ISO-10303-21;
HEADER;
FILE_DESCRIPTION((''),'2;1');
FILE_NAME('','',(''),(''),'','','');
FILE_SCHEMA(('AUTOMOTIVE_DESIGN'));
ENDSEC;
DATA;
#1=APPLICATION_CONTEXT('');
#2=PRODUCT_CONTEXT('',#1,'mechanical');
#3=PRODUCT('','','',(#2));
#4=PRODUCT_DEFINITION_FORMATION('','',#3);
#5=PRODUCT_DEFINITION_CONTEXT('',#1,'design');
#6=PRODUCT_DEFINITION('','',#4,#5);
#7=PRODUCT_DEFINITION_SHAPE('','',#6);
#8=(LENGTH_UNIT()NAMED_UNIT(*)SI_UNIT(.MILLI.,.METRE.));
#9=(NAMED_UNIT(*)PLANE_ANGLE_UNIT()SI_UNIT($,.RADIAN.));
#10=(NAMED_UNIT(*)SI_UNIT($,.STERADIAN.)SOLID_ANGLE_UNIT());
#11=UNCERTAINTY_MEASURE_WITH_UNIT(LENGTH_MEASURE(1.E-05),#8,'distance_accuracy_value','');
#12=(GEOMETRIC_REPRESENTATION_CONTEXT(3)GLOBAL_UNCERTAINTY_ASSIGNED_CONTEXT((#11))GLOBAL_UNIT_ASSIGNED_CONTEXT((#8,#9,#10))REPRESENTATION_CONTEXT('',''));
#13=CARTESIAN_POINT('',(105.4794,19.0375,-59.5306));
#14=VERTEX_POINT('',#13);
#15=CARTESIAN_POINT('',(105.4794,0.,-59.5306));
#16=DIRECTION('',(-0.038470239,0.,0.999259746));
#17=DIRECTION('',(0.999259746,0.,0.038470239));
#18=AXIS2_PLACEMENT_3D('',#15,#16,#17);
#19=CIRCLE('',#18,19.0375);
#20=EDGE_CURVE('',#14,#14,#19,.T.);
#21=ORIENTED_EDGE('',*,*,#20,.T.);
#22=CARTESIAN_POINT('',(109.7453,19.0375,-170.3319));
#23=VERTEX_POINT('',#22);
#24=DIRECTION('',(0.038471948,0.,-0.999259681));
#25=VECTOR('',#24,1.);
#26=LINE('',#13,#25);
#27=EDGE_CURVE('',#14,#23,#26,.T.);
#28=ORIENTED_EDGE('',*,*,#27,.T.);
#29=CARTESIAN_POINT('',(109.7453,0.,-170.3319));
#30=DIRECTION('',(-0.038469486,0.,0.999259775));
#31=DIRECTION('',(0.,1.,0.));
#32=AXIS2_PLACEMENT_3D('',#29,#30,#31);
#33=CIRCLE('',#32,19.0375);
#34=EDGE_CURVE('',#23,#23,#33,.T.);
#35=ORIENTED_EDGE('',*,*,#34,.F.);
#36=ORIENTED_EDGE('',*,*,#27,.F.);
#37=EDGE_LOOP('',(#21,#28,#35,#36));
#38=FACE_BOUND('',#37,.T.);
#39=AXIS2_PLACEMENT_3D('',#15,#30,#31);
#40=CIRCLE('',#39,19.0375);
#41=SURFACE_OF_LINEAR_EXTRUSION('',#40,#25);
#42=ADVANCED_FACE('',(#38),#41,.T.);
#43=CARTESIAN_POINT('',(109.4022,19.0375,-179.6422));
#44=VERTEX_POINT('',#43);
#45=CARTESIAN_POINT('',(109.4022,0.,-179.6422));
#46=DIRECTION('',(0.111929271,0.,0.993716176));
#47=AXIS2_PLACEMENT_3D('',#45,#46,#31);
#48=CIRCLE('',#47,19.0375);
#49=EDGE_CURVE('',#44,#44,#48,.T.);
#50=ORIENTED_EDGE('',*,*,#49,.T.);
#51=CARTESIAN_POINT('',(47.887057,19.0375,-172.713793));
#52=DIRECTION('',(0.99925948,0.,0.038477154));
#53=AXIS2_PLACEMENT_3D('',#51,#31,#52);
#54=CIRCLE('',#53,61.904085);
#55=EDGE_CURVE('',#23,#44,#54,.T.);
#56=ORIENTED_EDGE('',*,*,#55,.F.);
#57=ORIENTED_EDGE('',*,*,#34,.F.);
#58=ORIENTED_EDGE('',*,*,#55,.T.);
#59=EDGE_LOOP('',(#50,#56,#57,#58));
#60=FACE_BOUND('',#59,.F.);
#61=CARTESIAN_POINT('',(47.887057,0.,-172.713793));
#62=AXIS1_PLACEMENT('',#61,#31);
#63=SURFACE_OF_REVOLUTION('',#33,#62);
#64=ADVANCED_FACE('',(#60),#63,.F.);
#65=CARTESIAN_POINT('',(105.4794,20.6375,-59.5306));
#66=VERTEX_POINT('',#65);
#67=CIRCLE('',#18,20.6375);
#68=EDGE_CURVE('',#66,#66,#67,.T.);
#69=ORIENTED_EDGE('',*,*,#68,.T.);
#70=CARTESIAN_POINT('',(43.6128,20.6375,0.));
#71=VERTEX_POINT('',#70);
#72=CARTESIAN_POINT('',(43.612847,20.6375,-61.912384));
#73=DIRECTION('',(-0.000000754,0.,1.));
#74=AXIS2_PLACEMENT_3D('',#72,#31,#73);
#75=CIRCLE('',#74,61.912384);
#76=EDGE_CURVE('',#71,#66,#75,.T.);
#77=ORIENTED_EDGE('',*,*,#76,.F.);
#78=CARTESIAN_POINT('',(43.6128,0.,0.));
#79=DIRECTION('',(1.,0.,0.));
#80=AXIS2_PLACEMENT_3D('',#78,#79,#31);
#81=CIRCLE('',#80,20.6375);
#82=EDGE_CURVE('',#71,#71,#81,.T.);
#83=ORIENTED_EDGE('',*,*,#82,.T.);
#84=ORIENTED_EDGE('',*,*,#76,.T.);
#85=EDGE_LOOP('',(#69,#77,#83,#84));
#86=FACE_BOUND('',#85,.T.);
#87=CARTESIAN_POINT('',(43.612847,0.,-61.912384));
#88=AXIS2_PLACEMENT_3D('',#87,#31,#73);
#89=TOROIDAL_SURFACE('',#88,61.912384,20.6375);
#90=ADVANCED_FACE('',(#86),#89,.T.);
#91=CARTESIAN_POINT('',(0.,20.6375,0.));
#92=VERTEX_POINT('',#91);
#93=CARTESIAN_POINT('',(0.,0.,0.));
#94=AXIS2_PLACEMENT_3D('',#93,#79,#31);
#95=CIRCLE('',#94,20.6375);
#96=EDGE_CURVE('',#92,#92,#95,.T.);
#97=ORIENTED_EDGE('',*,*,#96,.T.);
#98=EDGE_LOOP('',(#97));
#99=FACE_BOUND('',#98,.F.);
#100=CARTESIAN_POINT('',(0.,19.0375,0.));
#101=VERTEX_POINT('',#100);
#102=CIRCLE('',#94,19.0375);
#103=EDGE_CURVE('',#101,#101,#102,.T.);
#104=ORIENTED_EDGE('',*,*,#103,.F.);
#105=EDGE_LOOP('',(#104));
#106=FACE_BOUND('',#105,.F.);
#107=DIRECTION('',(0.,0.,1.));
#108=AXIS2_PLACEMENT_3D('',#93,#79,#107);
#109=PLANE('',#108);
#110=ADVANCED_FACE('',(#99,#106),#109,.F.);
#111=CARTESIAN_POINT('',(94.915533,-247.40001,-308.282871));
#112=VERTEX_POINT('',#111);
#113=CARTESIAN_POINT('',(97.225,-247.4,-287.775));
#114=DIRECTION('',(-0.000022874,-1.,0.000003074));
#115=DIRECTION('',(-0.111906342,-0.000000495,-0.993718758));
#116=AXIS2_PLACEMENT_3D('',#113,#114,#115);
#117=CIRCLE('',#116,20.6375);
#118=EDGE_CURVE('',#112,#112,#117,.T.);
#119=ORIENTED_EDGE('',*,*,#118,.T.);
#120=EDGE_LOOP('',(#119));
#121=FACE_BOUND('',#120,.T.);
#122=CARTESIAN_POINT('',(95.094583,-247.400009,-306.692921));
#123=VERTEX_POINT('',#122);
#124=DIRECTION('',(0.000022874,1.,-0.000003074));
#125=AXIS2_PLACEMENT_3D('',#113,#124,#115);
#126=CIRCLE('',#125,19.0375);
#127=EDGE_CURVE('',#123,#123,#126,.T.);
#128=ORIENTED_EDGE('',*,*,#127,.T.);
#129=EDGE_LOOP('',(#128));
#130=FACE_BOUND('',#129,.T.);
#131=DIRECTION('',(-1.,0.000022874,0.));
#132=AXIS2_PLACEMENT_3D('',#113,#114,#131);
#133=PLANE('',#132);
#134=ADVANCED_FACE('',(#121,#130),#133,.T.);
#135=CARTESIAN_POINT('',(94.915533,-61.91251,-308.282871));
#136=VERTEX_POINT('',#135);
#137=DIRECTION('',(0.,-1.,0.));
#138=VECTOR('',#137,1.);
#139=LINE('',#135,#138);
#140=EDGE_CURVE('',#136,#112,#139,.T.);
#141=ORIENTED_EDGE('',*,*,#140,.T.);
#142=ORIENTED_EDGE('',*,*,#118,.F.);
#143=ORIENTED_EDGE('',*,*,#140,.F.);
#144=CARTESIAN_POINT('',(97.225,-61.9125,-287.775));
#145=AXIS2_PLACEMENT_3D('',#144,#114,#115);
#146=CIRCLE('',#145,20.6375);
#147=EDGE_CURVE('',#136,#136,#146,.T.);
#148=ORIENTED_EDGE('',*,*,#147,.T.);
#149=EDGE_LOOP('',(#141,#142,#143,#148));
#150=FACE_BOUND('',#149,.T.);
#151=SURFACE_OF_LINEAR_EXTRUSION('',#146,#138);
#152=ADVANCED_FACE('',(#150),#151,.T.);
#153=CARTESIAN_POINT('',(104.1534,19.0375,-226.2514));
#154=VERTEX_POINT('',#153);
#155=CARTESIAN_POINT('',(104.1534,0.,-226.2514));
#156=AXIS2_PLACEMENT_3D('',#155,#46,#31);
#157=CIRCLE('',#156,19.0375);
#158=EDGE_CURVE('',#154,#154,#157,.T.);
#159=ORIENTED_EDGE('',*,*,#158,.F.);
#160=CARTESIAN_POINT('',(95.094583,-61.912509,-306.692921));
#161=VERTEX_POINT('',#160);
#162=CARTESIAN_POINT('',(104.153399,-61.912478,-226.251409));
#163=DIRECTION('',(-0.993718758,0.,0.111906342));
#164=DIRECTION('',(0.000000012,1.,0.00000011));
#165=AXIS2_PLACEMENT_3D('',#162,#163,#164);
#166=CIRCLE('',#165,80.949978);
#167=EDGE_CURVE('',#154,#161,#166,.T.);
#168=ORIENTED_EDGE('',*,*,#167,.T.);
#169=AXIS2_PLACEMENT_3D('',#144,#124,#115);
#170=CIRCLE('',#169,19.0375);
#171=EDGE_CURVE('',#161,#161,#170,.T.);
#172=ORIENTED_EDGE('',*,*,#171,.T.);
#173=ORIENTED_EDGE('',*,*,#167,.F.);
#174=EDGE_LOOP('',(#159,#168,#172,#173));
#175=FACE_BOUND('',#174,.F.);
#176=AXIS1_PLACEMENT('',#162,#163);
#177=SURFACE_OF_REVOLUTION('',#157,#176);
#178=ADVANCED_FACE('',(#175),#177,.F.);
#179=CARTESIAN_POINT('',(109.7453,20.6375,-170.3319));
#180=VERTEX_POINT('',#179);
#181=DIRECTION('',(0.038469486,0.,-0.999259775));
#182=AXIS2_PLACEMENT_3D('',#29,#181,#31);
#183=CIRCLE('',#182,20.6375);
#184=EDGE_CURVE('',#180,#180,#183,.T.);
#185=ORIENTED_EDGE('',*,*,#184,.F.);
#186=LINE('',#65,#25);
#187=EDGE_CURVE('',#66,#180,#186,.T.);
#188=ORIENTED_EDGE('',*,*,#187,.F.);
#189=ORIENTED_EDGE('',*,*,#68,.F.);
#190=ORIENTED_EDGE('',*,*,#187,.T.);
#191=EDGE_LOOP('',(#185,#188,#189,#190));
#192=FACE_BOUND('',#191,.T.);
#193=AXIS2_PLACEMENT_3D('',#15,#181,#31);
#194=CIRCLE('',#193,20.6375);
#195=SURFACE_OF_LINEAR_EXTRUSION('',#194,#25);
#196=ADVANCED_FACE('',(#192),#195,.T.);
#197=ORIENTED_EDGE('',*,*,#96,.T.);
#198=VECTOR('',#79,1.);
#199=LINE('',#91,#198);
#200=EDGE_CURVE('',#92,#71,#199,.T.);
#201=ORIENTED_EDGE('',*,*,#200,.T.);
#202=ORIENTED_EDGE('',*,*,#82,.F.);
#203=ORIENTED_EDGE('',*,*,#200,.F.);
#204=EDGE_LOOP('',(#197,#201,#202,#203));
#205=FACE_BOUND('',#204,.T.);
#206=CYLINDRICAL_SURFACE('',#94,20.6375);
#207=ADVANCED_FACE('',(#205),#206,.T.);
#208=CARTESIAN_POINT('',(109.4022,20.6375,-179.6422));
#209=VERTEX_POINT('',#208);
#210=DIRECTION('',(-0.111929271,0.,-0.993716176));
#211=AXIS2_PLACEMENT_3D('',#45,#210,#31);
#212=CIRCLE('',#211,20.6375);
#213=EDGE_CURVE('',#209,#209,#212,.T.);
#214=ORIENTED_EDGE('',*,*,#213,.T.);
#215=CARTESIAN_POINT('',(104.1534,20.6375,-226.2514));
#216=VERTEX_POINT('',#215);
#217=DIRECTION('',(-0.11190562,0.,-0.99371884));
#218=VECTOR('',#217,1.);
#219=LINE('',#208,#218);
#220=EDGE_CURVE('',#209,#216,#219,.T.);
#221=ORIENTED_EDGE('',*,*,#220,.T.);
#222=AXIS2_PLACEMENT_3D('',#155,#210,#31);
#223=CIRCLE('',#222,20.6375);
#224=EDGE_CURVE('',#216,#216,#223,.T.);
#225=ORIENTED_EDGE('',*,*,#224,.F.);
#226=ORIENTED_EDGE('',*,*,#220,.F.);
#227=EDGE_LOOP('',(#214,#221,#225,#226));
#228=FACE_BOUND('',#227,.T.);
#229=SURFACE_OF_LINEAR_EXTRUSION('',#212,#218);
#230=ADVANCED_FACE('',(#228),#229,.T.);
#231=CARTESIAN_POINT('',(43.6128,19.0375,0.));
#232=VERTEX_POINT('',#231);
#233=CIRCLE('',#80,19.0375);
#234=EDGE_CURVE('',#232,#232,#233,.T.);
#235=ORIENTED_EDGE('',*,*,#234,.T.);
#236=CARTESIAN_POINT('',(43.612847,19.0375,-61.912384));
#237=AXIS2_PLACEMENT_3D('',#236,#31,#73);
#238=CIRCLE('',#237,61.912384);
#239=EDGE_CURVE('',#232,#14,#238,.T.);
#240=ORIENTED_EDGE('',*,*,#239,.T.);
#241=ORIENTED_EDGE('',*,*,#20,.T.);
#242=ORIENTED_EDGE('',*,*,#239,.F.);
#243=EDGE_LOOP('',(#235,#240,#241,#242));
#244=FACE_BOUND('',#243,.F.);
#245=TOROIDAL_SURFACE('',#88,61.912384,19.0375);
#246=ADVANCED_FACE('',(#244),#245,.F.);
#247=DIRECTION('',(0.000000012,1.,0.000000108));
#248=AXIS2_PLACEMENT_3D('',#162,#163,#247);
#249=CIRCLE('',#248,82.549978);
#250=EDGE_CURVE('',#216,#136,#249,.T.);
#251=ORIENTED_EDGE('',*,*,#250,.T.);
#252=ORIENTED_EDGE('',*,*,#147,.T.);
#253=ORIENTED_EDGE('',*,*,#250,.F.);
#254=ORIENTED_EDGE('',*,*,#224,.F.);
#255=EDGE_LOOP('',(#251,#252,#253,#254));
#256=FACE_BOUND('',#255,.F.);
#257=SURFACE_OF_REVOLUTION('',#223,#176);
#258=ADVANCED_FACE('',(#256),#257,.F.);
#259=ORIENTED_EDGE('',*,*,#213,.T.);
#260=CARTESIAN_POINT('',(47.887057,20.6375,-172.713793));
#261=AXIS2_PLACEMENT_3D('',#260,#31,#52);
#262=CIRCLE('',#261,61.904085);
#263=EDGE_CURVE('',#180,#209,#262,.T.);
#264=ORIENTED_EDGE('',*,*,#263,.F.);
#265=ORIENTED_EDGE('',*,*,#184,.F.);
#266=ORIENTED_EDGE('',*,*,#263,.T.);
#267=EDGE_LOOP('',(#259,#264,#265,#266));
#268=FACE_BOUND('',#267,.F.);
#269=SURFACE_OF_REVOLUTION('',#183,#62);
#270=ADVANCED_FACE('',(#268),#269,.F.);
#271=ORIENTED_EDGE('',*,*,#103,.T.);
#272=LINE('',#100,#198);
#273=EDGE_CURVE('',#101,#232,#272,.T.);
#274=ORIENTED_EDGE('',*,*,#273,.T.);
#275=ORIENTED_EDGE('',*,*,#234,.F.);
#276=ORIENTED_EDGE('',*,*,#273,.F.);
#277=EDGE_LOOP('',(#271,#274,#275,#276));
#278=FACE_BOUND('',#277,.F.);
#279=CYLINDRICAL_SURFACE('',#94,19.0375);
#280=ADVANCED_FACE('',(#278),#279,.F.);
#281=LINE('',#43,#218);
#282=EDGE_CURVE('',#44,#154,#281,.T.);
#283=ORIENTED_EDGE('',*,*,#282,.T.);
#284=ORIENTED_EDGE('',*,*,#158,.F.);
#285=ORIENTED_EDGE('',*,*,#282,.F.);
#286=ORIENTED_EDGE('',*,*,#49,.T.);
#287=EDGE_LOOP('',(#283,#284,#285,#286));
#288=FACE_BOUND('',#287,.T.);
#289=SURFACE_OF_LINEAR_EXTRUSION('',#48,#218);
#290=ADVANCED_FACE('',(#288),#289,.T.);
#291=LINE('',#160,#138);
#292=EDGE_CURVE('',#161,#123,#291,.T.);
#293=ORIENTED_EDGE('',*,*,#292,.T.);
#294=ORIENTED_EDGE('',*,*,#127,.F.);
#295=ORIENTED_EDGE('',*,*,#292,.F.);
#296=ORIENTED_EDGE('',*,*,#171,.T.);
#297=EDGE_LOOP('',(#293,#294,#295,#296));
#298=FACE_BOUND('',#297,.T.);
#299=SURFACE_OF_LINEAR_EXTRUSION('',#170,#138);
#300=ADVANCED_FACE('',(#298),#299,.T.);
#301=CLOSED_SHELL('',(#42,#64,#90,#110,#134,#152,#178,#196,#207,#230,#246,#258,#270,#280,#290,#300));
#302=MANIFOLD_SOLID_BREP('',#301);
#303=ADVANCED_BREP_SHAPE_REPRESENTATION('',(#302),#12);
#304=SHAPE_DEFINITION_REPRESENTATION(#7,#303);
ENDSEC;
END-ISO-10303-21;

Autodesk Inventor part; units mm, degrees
sketch "Sketch1" plane through (0, 0, 0) normal (1, 0, 0) x (0, 1, 0)
  line L0 (0, 0) -> (0, -175)
  line L1 (0, -175) -> (0, -287.775)
  line L2 (0, -287.775) -> (-247.4, -287.775)
  line L3 (0, 0) -> (0, -103.1875) construction
  line L4 (0, -103.1875) -> (0, -109.925) construction
  line L5 (0, -109.925) -> (0, -97.225) construction
  line L6 (0, -97.225) -> (-247.4, -97.225) construction
  dimension "d0" = 287.775
  dimension "d1" = 0
  dimension "d4" = 175
  dimension "d5" = 247.4
  dimension "d6" = 103.1875
  dimension "d7" = 97.225
  dimension "d8" = 109.925
ref_plane "Work Plane1" through (103.1875, 0, 0) normal (1, 0, 0) x (0, 1, 0)
ref_plane "Work Plane2" through (109.925, 0, 0) normal (1, 0, 0) x (0, 1, 0)
ref_plane "Work Plane3" through (97.225, 0, 0) normal (1, 0, 0) x (0, 1, 0)
sketch "Sketch2" plane through (103.1875, 0, 0) normal (1, 0, 0) x (0, 1, 0)
  point P0 (0, 0)
  point P1 (0, 0)
sketch "Sketch3" plane through (109.925, 0, 0) normal (1, 0, 0) x (0, 1, 0)
  point P0 (0, 0)
  point P1 (0, -175)
  point P2 (0, -287.775)
sketch "Sketch4" plane through (97.225, 0, 0) normal (1, 0, 0) x (0, 1, 0)
  point P0 (0, 0)
  point P1 (-247.4, -287.775)
  point P2 (0, -287.775)
sketch "Sketch5" plane through (0, 0, 0) normal (1, 0, 0) x (0, 1, 0)
  circle A0 centre (0, 0) radius 20.6375
  circle A1 centre (0, 0) radius 19.0375
  dimension "d15" = 1.6
  dimension "d17" = 41.275
sketch3d "3D Sketch1"
  line L0 (0, 0, 0) -> (43.6128, 0, 0)
  arc A0 (43.6128, 0, 0) -> (105.4794, 0, -59.5306) centre (43.6128, 0, -61.9125) ccw
  line L1 (105.4794, 0, -59.5306) -> (109.7453, 0, -170.3319)
  arc A1 (109.7453, 0, -170.3319) -> (109.4022, 0, -179.6422) centre (47.8786, 0, -172.7138) ccw
  line L2 (109.4022, 0, -179.6422) -> (104.1534, 0, -226.2514)
  arc A2 (104.1534, 0, -226.2514) -> (97.225, -61.9125, -287.775) centre (104.1534, -61.9125, -226.2514) ccw
  line L3 (97.225, -61.9125, -287.775) -> (97.225, -247.4, -287.775)
  dimension "d14" = 61.9125
  dimension "d12" = 61.9125
  dimension "d13" = 61.9125
sweep "Sweep1" add profiles "Sketch5" path "3D Sketch1"
equation "\"d14\" = d12"
equation "\"d13\" = d12"
equation "\"d9\" = d6"
equation "\"d10\" = d8"
equation "\"d11\" = d7"
properties part number "exhaust header right pipe 6" material "Steel"
